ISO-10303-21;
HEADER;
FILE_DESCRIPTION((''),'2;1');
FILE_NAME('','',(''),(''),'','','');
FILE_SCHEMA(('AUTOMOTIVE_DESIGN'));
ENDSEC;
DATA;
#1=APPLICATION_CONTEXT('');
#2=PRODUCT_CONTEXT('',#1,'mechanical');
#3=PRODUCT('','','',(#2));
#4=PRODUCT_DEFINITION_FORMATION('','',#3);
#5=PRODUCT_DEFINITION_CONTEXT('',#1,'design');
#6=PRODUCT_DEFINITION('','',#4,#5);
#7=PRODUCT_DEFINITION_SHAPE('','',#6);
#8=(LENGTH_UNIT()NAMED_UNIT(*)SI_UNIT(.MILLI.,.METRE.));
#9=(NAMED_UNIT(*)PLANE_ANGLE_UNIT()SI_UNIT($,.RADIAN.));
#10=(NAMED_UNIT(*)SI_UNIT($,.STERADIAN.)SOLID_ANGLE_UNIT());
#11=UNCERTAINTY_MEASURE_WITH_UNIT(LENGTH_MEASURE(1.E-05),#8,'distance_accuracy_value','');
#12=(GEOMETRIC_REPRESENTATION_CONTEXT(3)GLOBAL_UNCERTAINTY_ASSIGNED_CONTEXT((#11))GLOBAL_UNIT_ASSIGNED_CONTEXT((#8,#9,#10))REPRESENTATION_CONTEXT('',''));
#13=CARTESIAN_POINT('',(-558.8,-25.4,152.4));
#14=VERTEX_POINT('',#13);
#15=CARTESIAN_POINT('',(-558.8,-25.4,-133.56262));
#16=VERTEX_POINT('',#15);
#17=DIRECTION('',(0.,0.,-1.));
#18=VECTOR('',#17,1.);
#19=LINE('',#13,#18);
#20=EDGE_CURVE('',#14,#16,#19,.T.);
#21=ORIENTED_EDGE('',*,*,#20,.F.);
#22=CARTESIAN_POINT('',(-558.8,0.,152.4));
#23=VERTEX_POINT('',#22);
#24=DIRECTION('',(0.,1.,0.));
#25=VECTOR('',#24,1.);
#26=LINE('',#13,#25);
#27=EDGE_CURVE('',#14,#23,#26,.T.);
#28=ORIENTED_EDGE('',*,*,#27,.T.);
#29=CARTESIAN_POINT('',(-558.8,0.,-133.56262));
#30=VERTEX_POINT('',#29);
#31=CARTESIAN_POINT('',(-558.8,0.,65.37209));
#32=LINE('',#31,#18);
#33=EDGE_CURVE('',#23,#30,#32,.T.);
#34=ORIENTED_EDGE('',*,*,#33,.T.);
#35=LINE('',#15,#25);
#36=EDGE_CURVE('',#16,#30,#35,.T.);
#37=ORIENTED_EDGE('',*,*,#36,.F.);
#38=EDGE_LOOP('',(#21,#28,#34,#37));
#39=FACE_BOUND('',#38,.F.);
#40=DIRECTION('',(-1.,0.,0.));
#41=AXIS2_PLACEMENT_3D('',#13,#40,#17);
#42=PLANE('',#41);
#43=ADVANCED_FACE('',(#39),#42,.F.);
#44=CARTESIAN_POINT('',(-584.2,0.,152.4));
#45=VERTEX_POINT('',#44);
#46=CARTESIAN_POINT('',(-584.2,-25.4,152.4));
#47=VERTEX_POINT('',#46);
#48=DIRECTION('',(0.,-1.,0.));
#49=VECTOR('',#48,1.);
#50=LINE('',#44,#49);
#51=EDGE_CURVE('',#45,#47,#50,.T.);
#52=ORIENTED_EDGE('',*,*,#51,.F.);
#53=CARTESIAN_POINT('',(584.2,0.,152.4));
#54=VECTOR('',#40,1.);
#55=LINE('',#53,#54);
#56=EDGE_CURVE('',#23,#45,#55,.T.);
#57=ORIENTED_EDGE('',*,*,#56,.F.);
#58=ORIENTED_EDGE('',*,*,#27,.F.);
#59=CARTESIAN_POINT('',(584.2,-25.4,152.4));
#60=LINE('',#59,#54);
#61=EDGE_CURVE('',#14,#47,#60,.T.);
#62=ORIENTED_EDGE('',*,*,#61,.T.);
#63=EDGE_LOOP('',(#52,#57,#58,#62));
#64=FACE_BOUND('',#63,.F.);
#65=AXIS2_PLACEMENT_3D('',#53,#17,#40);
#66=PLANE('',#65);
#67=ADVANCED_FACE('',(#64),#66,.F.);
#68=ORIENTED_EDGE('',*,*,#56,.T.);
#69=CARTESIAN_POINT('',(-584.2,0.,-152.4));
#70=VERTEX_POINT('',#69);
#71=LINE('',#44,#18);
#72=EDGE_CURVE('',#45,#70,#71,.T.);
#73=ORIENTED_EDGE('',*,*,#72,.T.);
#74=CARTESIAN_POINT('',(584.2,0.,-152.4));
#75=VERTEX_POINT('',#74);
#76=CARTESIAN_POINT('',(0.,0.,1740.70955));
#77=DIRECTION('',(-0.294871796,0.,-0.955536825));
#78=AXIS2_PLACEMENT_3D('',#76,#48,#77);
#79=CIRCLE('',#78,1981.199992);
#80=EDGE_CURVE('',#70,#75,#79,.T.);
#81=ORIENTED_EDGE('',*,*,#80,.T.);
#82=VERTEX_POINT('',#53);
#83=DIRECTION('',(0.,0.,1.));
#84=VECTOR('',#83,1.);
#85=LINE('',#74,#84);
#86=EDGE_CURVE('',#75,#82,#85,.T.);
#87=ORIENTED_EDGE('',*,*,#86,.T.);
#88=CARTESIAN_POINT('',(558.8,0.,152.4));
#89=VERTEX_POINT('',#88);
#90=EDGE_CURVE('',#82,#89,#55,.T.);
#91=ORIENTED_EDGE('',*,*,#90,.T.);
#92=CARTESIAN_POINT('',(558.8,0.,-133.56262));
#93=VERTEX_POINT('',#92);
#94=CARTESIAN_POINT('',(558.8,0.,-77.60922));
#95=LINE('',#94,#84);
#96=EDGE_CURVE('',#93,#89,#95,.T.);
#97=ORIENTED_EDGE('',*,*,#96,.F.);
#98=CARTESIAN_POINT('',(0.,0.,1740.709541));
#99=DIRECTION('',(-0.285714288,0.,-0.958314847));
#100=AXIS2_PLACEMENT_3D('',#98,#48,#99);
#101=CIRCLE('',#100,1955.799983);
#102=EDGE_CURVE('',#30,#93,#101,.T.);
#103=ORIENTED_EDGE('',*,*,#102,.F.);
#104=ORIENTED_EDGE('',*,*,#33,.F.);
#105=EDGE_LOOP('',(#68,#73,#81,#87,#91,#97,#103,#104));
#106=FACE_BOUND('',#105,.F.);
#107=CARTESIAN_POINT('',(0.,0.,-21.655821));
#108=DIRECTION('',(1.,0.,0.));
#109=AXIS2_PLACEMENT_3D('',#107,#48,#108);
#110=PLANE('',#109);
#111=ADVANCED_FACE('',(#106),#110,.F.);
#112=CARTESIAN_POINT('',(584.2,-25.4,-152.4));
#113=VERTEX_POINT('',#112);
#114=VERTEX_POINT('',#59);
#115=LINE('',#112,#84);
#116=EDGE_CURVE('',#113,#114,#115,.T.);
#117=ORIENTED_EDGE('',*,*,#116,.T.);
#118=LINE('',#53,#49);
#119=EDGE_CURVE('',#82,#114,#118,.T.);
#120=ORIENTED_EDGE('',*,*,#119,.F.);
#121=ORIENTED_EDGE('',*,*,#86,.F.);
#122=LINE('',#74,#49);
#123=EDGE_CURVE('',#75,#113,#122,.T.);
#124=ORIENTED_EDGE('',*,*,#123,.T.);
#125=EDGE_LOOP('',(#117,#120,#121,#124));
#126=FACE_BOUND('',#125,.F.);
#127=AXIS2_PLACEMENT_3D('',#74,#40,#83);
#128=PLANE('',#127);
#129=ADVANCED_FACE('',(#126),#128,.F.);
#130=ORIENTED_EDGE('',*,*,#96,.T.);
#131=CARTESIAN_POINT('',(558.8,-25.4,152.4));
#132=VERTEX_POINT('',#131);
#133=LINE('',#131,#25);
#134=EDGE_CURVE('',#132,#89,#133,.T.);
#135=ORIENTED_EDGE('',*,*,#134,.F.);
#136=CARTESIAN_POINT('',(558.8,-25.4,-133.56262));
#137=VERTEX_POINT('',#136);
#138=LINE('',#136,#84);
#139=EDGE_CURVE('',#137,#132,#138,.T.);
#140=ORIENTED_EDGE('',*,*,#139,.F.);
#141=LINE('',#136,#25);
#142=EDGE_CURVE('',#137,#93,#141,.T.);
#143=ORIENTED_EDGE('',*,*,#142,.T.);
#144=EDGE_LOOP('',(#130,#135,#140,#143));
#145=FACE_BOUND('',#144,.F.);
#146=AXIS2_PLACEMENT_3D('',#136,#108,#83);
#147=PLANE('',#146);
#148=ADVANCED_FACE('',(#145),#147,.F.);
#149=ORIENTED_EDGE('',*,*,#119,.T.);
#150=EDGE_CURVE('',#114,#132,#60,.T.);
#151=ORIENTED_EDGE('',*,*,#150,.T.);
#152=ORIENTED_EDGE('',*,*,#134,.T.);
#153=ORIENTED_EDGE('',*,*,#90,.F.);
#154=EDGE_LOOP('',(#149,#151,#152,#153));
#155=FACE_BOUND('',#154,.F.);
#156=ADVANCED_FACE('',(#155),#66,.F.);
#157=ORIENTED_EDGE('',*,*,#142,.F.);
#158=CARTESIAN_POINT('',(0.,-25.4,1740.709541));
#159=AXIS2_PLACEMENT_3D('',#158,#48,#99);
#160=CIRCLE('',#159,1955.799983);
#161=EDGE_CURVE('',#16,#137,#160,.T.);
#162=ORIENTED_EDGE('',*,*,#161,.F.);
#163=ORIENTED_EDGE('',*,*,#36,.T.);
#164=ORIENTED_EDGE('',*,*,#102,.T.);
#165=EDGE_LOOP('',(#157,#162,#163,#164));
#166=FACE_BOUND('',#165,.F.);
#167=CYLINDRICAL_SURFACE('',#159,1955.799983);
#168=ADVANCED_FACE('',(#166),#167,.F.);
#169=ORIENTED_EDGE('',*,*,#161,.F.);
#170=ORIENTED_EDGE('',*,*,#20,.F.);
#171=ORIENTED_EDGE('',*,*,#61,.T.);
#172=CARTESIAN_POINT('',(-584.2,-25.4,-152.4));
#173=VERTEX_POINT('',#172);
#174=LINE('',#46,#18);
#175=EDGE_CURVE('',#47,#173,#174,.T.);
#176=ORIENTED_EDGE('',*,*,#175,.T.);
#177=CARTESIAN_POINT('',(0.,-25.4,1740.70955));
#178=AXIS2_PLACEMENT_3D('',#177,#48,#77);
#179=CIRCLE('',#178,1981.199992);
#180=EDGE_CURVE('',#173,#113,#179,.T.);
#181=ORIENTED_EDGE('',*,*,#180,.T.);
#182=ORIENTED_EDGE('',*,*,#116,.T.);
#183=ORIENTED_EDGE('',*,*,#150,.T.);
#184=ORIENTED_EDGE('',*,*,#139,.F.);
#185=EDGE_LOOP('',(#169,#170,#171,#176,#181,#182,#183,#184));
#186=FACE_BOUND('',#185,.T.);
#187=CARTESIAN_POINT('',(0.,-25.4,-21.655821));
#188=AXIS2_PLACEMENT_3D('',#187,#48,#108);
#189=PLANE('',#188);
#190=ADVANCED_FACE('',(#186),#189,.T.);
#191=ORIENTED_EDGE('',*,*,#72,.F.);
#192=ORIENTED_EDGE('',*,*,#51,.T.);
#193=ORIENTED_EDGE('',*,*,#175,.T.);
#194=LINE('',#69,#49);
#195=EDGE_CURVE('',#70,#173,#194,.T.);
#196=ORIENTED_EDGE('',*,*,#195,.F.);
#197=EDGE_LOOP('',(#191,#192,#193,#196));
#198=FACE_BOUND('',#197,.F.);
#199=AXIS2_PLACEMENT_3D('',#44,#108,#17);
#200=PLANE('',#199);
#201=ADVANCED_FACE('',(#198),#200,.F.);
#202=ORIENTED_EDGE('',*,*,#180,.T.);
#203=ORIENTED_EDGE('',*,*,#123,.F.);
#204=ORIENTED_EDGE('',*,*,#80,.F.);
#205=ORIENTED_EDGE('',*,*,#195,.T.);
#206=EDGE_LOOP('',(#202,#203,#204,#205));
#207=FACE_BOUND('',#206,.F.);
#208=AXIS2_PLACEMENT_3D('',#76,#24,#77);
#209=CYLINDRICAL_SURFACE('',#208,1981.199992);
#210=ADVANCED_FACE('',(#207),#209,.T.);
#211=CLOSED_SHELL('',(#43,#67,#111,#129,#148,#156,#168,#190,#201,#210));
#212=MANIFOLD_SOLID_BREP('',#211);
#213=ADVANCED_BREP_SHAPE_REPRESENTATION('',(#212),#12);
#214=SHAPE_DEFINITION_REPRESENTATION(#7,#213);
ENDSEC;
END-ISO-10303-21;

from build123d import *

# Parameters (mm, degrees)
F1_DEPTH = 25.4
F3_DEPTH = 25.401


with BuildPart() as f1:
    # F0 (on Front) → F1 (new body)
    with BuildSketch(Plane.XZ):
        with BuildLine():
            Line((584.2, 152.4), (-584.2, 152.4))
            Line((-584.2, 152.4), (-584.2, -152.4))
            ThreePointArc((-584.2, -152.4), (0, -240.490442), (584.2, -152.4))
            Line((584.2, -152.4), (584.2, 152.4))
        make_face()
    extrude(amount=F1_DEPTH)

    # F2 (on face) → F3 (cut, through all)
    with BuildSketch(Plane.XZ.offset(25.4)):
        with BuildLine():
            Line((558.8, -133.56262), (558.8, 152.4))
            Line((558.8, 152.4), (-558.8, 152.4))
            Line((-558.8, 152.4), (-558.8, -133.56262))
            ThreePointArc((-558.8, -133.56262), (0, -215.090442), (558.8, -133.56262))
        make_face()
    extrude(amount=-F3_DEPTH, mode=Mode.SUBTRACT)


solid = f1.part
